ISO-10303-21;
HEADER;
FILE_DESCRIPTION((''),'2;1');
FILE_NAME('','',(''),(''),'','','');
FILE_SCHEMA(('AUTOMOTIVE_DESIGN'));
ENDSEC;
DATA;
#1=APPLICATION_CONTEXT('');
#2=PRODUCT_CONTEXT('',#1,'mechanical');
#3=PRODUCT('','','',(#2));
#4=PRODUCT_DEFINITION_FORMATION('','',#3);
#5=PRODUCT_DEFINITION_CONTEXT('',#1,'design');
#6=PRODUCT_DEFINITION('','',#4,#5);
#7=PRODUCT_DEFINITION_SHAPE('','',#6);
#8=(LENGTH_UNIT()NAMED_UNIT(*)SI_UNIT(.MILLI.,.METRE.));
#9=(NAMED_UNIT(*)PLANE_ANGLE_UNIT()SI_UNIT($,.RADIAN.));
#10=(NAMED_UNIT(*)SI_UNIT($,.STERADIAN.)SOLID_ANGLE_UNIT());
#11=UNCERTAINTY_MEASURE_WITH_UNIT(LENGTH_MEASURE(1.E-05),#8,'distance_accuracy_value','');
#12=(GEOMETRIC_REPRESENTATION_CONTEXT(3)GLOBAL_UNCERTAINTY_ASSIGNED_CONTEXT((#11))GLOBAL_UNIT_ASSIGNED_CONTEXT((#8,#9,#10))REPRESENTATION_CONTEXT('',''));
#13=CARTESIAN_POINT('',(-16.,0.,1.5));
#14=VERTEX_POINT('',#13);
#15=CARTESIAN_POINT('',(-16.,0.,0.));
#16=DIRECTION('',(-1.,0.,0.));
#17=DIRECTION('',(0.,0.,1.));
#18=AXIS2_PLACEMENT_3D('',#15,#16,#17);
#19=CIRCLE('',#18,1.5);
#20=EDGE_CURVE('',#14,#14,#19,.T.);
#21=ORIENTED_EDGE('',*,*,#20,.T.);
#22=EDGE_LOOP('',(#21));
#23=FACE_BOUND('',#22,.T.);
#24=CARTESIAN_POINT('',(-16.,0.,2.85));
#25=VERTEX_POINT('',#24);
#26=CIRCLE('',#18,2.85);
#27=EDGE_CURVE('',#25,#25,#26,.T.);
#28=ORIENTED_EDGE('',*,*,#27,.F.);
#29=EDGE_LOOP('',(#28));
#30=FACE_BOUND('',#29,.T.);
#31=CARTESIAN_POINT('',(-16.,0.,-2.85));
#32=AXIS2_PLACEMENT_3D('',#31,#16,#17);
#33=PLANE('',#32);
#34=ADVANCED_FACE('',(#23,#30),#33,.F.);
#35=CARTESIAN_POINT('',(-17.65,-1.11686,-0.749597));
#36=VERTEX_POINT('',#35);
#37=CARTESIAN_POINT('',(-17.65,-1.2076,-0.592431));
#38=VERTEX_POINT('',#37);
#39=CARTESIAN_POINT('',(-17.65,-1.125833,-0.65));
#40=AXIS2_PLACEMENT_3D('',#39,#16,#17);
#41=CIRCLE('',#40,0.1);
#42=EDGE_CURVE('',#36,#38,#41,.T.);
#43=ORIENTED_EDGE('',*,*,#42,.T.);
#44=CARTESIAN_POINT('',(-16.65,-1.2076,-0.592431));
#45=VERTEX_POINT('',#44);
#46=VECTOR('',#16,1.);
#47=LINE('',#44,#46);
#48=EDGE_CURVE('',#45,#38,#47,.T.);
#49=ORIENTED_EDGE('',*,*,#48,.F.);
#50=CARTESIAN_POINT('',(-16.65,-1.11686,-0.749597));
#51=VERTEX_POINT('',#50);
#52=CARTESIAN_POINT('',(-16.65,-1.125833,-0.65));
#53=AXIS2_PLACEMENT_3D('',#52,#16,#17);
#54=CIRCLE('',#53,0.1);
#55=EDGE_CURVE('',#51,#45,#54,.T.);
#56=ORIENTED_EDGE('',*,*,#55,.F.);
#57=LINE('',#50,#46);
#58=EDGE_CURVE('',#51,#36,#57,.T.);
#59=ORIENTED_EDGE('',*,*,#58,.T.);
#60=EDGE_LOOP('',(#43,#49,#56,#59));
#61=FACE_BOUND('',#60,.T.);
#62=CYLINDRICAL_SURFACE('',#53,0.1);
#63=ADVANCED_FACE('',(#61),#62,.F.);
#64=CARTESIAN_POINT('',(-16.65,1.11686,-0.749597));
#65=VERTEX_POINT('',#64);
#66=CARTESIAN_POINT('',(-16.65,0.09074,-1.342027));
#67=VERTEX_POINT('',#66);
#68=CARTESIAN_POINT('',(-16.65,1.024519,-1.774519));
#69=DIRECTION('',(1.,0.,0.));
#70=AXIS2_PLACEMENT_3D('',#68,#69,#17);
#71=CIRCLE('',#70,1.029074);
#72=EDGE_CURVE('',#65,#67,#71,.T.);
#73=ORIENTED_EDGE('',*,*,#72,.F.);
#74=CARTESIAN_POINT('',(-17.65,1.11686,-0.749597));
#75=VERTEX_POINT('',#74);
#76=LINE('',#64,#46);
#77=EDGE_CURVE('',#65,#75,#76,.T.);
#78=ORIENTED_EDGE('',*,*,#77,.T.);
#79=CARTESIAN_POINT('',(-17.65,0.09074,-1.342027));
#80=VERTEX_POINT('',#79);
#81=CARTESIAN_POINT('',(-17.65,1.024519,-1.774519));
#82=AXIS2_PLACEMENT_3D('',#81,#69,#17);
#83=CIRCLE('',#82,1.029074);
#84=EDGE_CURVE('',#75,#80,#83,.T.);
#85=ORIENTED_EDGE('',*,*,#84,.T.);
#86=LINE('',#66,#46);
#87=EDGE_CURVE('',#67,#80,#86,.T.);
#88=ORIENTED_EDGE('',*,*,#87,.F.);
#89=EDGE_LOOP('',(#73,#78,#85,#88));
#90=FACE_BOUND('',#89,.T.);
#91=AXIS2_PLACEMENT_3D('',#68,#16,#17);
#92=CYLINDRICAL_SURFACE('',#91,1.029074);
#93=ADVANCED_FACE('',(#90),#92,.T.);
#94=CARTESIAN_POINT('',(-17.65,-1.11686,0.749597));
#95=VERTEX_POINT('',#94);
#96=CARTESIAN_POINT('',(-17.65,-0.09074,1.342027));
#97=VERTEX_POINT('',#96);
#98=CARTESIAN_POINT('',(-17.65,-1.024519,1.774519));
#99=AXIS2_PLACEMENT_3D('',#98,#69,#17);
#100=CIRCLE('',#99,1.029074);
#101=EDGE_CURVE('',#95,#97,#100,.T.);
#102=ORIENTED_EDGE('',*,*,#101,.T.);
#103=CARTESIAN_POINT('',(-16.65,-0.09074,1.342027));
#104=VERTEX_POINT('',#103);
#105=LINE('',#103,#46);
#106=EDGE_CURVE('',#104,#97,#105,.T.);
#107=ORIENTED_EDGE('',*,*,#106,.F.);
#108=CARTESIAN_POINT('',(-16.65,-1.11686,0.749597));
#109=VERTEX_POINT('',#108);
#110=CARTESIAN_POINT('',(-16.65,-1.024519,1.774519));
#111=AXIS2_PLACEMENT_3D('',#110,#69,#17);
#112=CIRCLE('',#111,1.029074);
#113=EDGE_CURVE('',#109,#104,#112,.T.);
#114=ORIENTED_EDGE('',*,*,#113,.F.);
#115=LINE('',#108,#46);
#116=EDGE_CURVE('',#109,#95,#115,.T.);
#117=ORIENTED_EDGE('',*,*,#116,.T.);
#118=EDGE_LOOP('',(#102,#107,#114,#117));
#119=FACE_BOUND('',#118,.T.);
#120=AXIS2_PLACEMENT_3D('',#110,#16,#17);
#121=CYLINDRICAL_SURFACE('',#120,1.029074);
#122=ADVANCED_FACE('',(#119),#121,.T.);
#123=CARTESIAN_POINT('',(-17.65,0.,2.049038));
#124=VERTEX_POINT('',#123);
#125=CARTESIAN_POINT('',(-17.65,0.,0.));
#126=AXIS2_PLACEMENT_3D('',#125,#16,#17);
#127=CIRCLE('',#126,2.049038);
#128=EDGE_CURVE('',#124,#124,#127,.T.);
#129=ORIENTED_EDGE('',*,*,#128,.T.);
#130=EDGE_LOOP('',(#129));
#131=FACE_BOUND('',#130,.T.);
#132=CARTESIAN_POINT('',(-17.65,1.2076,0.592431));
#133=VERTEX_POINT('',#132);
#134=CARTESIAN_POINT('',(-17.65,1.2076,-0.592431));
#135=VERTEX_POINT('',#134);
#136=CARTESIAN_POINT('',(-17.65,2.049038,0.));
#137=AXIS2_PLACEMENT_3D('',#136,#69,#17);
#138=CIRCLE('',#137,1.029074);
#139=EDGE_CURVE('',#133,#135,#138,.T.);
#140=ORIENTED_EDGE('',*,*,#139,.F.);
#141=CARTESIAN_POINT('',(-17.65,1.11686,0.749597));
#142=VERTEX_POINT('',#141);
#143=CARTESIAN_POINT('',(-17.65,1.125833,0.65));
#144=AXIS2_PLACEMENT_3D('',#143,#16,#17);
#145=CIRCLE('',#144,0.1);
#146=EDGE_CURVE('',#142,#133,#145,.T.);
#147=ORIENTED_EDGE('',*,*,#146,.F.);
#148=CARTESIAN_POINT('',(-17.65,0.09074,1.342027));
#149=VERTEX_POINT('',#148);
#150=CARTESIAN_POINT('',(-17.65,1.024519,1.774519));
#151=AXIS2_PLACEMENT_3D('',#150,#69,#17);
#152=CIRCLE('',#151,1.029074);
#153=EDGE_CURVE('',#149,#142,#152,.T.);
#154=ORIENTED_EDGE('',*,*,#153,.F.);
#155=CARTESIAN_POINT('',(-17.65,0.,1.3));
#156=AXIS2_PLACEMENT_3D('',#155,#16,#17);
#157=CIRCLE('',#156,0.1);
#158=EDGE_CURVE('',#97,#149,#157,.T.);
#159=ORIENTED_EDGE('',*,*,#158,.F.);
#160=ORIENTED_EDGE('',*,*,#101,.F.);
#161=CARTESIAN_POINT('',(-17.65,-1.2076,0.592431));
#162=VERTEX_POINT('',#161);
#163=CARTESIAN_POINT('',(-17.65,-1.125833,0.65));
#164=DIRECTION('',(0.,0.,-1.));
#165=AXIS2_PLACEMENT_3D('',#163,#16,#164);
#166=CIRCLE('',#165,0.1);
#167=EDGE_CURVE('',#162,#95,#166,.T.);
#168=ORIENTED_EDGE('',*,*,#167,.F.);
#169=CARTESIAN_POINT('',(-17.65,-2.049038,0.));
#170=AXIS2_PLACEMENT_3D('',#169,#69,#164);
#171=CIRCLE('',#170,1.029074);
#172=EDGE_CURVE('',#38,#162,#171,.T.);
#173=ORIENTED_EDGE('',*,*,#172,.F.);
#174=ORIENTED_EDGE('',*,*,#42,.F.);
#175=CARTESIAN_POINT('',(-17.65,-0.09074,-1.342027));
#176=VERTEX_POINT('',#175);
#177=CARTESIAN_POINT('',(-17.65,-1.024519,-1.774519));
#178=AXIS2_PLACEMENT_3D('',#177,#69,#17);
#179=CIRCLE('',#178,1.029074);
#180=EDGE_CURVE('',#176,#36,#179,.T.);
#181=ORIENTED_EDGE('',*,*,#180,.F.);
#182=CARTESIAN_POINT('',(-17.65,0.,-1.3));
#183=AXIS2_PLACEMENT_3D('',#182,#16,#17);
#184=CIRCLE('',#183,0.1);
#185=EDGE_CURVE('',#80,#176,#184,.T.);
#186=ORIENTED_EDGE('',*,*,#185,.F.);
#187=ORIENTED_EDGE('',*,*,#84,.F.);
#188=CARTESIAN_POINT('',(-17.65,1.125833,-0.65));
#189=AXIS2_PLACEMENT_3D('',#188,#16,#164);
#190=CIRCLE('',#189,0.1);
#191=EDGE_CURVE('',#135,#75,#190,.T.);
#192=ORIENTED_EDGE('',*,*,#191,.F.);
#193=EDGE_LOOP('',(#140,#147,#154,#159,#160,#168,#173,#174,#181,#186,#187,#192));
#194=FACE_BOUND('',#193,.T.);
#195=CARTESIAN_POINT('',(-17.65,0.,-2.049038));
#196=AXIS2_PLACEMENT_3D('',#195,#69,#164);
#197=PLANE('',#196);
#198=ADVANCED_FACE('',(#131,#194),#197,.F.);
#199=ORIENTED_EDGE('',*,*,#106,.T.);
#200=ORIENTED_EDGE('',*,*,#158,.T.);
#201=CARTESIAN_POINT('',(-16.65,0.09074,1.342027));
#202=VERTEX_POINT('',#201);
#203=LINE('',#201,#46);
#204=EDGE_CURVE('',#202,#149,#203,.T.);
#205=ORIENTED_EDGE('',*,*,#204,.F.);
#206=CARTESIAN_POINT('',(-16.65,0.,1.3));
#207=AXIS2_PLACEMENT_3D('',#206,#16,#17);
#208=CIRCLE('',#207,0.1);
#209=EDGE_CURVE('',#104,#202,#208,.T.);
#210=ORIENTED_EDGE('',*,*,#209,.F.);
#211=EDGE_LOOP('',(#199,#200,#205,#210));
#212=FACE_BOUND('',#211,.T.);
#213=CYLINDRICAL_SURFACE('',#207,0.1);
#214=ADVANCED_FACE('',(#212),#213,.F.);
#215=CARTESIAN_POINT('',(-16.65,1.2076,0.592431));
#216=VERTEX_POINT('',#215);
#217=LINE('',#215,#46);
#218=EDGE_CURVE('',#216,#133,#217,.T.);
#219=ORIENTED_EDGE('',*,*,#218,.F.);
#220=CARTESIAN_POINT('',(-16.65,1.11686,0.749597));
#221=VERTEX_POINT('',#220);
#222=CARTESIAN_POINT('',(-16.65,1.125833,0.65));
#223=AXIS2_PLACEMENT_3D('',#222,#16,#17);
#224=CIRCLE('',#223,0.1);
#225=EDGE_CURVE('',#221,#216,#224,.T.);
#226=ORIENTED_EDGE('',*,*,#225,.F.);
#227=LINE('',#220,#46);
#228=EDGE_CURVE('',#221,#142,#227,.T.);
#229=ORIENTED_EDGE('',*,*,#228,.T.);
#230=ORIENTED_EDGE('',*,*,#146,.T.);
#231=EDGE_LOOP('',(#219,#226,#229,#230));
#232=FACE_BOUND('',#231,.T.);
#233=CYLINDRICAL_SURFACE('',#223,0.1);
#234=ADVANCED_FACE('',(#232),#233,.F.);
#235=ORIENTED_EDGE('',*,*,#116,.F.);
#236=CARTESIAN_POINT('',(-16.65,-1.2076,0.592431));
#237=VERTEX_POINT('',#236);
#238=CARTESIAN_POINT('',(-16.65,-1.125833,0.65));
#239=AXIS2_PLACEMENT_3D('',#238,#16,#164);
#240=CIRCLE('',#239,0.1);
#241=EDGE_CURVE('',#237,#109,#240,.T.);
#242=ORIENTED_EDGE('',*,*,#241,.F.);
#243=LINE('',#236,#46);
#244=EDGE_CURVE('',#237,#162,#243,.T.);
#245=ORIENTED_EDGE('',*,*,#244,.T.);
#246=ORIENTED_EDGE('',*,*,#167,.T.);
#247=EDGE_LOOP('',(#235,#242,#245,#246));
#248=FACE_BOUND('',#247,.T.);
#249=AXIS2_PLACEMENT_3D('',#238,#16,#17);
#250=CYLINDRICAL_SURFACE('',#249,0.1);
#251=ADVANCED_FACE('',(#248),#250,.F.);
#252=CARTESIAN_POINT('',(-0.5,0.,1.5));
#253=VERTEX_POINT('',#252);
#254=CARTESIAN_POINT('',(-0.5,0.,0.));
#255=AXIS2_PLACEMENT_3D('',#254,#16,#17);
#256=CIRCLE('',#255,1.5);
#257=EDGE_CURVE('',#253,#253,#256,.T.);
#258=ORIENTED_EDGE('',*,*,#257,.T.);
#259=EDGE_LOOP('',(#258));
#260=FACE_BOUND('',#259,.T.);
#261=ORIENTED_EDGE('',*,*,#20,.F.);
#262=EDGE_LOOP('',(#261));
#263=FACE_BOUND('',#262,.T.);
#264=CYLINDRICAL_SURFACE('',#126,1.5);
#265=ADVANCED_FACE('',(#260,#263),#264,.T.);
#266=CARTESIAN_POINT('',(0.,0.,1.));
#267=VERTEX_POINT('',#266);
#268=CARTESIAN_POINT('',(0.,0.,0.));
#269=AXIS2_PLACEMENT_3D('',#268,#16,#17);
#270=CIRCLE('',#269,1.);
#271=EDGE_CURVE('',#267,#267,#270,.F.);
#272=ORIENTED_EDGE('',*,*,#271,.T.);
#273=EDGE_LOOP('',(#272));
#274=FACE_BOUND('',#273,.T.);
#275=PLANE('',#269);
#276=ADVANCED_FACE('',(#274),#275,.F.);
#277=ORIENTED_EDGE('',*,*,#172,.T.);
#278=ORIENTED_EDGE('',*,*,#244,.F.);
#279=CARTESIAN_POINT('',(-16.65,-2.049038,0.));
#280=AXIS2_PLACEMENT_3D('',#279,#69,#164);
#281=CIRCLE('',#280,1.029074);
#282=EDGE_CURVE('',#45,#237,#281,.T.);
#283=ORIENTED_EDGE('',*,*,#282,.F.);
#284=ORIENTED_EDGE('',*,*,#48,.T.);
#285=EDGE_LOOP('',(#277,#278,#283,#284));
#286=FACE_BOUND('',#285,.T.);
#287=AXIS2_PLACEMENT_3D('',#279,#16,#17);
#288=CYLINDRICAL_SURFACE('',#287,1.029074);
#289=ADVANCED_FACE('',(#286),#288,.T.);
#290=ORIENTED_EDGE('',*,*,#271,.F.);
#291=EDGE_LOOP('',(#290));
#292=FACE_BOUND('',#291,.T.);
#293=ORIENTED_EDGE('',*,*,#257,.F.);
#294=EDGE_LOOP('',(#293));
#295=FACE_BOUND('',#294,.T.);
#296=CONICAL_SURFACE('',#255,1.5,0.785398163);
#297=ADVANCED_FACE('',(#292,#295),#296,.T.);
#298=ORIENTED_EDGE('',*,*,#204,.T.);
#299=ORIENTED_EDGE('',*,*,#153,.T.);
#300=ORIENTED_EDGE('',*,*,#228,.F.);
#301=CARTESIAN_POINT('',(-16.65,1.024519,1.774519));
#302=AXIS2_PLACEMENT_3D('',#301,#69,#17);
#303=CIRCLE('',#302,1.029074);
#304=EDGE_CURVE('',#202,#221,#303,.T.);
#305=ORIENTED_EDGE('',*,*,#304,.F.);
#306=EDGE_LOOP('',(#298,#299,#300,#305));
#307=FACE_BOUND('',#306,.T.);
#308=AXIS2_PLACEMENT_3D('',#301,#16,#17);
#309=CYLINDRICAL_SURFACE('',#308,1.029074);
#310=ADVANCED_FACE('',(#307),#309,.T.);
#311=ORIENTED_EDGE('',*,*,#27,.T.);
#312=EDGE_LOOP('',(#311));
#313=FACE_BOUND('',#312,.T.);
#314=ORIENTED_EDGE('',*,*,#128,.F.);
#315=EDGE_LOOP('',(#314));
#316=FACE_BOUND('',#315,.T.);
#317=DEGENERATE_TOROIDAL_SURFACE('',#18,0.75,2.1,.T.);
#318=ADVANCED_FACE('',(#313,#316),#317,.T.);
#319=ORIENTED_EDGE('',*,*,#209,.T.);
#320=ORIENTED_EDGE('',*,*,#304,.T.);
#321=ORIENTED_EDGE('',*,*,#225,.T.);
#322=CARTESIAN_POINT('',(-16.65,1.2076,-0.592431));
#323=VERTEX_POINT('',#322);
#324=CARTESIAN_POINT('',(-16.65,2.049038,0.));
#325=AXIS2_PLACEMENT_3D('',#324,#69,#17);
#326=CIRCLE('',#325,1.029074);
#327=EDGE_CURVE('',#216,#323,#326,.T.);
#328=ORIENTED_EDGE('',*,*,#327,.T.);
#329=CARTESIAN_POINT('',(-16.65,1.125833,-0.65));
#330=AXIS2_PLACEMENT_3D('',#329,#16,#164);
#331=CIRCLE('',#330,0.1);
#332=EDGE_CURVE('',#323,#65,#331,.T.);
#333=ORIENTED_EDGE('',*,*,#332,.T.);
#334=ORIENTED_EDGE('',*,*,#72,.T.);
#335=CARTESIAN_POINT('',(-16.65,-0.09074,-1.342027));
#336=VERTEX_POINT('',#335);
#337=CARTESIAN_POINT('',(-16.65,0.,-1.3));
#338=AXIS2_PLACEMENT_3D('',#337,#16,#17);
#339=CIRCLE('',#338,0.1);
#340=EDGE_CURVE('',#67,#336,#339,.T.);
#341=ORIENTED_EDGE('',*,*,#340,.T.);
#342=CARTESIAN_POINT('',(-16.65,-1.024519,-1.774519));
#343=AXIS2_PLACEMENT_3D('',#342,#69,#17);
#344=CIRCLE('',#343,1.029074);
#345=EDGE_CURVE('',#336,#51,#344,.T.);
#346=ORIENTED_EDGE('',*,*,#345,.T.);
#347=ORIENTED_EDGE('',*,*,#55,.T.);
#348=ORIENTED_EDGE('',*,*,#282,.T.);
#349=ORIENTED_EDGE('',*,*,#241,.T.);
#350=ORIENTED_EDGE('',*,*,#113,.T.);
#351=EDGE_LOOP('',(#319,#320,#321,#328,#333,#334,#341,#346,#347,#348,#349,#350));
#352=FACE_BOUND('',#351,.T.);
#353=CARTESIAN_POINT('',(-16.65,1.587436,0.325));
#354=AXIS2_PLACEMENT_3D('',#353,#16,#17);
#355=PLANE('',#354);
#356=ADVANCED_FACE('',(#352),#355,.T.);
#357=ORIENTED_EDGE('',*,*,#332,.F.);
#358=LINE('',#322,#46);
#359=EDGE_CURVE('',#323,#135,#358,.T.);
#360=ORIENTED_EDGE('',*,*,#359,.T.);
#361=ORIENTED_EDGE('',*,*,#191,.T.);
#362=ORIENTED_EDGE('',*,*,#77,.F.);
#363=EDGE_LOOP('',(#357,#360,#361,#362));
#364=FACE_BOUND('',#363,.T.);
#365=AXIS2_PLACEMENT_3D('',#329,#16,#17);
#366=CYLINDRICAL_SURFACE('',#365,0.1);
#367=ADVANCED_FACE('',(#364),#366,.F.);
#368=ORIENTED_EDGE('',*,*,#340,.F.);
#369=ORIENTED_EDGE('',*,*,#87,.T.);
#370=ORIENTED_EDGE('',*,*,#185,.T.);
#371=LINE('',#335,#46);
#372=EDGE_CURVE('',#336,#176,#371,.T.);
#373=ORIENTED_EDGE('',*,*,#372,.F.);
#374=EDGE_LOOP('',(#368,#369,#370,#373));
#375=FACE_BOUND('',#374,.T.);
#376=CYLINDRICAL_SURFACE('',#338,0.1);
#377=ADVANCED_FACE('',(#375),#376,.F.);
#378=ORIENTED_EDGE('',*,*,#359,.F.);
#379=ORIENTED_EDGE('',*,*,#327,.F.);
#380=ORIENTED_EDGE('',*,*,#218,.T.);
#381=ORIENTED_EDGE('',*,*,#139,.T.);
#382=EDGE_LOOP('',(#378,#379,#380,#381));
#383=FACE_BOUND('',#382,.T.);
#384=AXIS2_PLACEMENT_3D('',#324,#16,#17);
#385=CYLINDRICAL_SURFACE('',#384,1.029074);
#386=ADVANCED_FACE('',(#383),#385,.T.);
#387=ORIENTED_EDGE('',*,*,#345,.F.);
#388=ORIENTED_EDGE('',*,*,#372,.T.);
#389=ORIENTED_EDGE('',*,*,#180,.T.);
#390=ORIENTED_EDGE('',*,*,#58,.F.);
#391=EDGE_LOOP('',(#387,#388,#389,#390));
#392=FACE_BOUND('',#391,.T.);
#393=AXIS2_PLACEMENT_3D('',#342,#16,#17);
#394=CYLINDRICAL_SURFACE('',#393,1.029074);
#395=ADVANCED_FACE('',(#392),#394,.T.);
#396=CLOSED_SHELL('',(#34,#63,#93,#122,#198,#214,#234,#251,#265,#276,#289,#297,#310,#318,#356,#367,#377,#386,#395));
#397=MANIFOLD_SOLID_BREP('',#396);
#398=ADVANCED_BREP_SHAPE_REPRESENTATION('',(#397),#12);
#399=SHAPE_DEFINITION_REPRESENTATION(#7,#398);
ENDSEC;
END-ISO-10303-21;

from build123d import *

# Parameters (mm, degrees)
CHAMFER1_SIZE      = 0.5
CUT_EXTRUDE1_DEPTH = 1


with BuildPart() as part:
    # Sketch2 → Revolve1 (revolve)
    with BuildSketch(Plane(origin=(0, 0, 0), x_dir=(1, 0, 0), z_dir=(0, 1, 0)), mode=Mode.PRIVATE) as revolve1_sk:
        with BuildLine():
            Line((0, 0), (0, 1.5))
            Line((0, 1.5), (-16, 1.5))
            Line((-16, 1.5), (-16, 2.85))
            ThreePointArc((-16, 2.85), (-16.917065968, 2.639177072), (-17.65, 2.049038106))
            Line((-17.65, 2.049038106), (-17.65, 0))
            Line((-17.65, 0), (0, 0))
        make_face()
    revolve(revolve1_sk.sketch.rotate(Axis((-17.65, 0, 0), (1, 0, 0)), 180), axis=Axis((-17.65, 0, 0), (1, 0, 0)))

    # Chamfer1
    chamfer1_edges = [part.edges().sort_by_distance(p)[0] for p in [
        (0, 0, -1.5),
    ]]
    chamfer(chamfer1_edges, length=CHAMFER1_SIZE)

    # Sketch4 → Cut-Extrude1 (cut)
    with BuildSketch(Plane.ZY.offset(17.65)):
        with BuildLine():
            ThreePointArc((-1.342027284, 0.090739778), (-0.883315009, 0.509982158), (-0.749596595, 1.116859832))
            ThreePointArc((-0.749596595, 1.116859832), (-0.7, 1.212435565), (-0.592430689, 1.20759961))
            ThreePointArc((-0.592430689, 1.20759961), (0, 1.019964317), (0.592430689, 1.20759961))
            ThreePointArc((0.592430689, 1.20759961), (0.7, 1.212435565), (0.749596595, 1.116859832))
            ThreePointArc((0.749596595, 1.116859832), (0.883315009, 0.509982158), (1.342027284, 0.090739778))
            ThreePointArc((1.342027284, 0.090739778), (1.4, 0), (1.342027284, -0.090739778))
            ThreePointArc((1.342027284, -0.090739778), (0.883315009, -0.509982158), (0.749596595, -1.116859832))
            ThreePointArc((0.749596595, -1.116859832), (0.7, -1.212435565), (0.592430689, -1.20759961))
            ThreePointArc((0.592430689, -1.20759961), (0, -1.019964317), (-0.592430689, -1.20759961))
            ThreePointArc((-0.592430689, -1.20759961), (-0.7, -1.212435565), (-0.749596595, -1.116859832))
            ThreePointArc((-0.749596595, -1.116859832), (-0.883315009, -0.509982158), (-1.342027284, -0.090739778))
            ThreePointArc((-1.342027284, -0.090739778), (-1.4, 0), (-1.342027284, 0.090739778))
        make_face()
    extrude(amount=-CUT_EXTRUDE1_DEPTH, mode=Mode.SUBTRACT)


solid = part.part
